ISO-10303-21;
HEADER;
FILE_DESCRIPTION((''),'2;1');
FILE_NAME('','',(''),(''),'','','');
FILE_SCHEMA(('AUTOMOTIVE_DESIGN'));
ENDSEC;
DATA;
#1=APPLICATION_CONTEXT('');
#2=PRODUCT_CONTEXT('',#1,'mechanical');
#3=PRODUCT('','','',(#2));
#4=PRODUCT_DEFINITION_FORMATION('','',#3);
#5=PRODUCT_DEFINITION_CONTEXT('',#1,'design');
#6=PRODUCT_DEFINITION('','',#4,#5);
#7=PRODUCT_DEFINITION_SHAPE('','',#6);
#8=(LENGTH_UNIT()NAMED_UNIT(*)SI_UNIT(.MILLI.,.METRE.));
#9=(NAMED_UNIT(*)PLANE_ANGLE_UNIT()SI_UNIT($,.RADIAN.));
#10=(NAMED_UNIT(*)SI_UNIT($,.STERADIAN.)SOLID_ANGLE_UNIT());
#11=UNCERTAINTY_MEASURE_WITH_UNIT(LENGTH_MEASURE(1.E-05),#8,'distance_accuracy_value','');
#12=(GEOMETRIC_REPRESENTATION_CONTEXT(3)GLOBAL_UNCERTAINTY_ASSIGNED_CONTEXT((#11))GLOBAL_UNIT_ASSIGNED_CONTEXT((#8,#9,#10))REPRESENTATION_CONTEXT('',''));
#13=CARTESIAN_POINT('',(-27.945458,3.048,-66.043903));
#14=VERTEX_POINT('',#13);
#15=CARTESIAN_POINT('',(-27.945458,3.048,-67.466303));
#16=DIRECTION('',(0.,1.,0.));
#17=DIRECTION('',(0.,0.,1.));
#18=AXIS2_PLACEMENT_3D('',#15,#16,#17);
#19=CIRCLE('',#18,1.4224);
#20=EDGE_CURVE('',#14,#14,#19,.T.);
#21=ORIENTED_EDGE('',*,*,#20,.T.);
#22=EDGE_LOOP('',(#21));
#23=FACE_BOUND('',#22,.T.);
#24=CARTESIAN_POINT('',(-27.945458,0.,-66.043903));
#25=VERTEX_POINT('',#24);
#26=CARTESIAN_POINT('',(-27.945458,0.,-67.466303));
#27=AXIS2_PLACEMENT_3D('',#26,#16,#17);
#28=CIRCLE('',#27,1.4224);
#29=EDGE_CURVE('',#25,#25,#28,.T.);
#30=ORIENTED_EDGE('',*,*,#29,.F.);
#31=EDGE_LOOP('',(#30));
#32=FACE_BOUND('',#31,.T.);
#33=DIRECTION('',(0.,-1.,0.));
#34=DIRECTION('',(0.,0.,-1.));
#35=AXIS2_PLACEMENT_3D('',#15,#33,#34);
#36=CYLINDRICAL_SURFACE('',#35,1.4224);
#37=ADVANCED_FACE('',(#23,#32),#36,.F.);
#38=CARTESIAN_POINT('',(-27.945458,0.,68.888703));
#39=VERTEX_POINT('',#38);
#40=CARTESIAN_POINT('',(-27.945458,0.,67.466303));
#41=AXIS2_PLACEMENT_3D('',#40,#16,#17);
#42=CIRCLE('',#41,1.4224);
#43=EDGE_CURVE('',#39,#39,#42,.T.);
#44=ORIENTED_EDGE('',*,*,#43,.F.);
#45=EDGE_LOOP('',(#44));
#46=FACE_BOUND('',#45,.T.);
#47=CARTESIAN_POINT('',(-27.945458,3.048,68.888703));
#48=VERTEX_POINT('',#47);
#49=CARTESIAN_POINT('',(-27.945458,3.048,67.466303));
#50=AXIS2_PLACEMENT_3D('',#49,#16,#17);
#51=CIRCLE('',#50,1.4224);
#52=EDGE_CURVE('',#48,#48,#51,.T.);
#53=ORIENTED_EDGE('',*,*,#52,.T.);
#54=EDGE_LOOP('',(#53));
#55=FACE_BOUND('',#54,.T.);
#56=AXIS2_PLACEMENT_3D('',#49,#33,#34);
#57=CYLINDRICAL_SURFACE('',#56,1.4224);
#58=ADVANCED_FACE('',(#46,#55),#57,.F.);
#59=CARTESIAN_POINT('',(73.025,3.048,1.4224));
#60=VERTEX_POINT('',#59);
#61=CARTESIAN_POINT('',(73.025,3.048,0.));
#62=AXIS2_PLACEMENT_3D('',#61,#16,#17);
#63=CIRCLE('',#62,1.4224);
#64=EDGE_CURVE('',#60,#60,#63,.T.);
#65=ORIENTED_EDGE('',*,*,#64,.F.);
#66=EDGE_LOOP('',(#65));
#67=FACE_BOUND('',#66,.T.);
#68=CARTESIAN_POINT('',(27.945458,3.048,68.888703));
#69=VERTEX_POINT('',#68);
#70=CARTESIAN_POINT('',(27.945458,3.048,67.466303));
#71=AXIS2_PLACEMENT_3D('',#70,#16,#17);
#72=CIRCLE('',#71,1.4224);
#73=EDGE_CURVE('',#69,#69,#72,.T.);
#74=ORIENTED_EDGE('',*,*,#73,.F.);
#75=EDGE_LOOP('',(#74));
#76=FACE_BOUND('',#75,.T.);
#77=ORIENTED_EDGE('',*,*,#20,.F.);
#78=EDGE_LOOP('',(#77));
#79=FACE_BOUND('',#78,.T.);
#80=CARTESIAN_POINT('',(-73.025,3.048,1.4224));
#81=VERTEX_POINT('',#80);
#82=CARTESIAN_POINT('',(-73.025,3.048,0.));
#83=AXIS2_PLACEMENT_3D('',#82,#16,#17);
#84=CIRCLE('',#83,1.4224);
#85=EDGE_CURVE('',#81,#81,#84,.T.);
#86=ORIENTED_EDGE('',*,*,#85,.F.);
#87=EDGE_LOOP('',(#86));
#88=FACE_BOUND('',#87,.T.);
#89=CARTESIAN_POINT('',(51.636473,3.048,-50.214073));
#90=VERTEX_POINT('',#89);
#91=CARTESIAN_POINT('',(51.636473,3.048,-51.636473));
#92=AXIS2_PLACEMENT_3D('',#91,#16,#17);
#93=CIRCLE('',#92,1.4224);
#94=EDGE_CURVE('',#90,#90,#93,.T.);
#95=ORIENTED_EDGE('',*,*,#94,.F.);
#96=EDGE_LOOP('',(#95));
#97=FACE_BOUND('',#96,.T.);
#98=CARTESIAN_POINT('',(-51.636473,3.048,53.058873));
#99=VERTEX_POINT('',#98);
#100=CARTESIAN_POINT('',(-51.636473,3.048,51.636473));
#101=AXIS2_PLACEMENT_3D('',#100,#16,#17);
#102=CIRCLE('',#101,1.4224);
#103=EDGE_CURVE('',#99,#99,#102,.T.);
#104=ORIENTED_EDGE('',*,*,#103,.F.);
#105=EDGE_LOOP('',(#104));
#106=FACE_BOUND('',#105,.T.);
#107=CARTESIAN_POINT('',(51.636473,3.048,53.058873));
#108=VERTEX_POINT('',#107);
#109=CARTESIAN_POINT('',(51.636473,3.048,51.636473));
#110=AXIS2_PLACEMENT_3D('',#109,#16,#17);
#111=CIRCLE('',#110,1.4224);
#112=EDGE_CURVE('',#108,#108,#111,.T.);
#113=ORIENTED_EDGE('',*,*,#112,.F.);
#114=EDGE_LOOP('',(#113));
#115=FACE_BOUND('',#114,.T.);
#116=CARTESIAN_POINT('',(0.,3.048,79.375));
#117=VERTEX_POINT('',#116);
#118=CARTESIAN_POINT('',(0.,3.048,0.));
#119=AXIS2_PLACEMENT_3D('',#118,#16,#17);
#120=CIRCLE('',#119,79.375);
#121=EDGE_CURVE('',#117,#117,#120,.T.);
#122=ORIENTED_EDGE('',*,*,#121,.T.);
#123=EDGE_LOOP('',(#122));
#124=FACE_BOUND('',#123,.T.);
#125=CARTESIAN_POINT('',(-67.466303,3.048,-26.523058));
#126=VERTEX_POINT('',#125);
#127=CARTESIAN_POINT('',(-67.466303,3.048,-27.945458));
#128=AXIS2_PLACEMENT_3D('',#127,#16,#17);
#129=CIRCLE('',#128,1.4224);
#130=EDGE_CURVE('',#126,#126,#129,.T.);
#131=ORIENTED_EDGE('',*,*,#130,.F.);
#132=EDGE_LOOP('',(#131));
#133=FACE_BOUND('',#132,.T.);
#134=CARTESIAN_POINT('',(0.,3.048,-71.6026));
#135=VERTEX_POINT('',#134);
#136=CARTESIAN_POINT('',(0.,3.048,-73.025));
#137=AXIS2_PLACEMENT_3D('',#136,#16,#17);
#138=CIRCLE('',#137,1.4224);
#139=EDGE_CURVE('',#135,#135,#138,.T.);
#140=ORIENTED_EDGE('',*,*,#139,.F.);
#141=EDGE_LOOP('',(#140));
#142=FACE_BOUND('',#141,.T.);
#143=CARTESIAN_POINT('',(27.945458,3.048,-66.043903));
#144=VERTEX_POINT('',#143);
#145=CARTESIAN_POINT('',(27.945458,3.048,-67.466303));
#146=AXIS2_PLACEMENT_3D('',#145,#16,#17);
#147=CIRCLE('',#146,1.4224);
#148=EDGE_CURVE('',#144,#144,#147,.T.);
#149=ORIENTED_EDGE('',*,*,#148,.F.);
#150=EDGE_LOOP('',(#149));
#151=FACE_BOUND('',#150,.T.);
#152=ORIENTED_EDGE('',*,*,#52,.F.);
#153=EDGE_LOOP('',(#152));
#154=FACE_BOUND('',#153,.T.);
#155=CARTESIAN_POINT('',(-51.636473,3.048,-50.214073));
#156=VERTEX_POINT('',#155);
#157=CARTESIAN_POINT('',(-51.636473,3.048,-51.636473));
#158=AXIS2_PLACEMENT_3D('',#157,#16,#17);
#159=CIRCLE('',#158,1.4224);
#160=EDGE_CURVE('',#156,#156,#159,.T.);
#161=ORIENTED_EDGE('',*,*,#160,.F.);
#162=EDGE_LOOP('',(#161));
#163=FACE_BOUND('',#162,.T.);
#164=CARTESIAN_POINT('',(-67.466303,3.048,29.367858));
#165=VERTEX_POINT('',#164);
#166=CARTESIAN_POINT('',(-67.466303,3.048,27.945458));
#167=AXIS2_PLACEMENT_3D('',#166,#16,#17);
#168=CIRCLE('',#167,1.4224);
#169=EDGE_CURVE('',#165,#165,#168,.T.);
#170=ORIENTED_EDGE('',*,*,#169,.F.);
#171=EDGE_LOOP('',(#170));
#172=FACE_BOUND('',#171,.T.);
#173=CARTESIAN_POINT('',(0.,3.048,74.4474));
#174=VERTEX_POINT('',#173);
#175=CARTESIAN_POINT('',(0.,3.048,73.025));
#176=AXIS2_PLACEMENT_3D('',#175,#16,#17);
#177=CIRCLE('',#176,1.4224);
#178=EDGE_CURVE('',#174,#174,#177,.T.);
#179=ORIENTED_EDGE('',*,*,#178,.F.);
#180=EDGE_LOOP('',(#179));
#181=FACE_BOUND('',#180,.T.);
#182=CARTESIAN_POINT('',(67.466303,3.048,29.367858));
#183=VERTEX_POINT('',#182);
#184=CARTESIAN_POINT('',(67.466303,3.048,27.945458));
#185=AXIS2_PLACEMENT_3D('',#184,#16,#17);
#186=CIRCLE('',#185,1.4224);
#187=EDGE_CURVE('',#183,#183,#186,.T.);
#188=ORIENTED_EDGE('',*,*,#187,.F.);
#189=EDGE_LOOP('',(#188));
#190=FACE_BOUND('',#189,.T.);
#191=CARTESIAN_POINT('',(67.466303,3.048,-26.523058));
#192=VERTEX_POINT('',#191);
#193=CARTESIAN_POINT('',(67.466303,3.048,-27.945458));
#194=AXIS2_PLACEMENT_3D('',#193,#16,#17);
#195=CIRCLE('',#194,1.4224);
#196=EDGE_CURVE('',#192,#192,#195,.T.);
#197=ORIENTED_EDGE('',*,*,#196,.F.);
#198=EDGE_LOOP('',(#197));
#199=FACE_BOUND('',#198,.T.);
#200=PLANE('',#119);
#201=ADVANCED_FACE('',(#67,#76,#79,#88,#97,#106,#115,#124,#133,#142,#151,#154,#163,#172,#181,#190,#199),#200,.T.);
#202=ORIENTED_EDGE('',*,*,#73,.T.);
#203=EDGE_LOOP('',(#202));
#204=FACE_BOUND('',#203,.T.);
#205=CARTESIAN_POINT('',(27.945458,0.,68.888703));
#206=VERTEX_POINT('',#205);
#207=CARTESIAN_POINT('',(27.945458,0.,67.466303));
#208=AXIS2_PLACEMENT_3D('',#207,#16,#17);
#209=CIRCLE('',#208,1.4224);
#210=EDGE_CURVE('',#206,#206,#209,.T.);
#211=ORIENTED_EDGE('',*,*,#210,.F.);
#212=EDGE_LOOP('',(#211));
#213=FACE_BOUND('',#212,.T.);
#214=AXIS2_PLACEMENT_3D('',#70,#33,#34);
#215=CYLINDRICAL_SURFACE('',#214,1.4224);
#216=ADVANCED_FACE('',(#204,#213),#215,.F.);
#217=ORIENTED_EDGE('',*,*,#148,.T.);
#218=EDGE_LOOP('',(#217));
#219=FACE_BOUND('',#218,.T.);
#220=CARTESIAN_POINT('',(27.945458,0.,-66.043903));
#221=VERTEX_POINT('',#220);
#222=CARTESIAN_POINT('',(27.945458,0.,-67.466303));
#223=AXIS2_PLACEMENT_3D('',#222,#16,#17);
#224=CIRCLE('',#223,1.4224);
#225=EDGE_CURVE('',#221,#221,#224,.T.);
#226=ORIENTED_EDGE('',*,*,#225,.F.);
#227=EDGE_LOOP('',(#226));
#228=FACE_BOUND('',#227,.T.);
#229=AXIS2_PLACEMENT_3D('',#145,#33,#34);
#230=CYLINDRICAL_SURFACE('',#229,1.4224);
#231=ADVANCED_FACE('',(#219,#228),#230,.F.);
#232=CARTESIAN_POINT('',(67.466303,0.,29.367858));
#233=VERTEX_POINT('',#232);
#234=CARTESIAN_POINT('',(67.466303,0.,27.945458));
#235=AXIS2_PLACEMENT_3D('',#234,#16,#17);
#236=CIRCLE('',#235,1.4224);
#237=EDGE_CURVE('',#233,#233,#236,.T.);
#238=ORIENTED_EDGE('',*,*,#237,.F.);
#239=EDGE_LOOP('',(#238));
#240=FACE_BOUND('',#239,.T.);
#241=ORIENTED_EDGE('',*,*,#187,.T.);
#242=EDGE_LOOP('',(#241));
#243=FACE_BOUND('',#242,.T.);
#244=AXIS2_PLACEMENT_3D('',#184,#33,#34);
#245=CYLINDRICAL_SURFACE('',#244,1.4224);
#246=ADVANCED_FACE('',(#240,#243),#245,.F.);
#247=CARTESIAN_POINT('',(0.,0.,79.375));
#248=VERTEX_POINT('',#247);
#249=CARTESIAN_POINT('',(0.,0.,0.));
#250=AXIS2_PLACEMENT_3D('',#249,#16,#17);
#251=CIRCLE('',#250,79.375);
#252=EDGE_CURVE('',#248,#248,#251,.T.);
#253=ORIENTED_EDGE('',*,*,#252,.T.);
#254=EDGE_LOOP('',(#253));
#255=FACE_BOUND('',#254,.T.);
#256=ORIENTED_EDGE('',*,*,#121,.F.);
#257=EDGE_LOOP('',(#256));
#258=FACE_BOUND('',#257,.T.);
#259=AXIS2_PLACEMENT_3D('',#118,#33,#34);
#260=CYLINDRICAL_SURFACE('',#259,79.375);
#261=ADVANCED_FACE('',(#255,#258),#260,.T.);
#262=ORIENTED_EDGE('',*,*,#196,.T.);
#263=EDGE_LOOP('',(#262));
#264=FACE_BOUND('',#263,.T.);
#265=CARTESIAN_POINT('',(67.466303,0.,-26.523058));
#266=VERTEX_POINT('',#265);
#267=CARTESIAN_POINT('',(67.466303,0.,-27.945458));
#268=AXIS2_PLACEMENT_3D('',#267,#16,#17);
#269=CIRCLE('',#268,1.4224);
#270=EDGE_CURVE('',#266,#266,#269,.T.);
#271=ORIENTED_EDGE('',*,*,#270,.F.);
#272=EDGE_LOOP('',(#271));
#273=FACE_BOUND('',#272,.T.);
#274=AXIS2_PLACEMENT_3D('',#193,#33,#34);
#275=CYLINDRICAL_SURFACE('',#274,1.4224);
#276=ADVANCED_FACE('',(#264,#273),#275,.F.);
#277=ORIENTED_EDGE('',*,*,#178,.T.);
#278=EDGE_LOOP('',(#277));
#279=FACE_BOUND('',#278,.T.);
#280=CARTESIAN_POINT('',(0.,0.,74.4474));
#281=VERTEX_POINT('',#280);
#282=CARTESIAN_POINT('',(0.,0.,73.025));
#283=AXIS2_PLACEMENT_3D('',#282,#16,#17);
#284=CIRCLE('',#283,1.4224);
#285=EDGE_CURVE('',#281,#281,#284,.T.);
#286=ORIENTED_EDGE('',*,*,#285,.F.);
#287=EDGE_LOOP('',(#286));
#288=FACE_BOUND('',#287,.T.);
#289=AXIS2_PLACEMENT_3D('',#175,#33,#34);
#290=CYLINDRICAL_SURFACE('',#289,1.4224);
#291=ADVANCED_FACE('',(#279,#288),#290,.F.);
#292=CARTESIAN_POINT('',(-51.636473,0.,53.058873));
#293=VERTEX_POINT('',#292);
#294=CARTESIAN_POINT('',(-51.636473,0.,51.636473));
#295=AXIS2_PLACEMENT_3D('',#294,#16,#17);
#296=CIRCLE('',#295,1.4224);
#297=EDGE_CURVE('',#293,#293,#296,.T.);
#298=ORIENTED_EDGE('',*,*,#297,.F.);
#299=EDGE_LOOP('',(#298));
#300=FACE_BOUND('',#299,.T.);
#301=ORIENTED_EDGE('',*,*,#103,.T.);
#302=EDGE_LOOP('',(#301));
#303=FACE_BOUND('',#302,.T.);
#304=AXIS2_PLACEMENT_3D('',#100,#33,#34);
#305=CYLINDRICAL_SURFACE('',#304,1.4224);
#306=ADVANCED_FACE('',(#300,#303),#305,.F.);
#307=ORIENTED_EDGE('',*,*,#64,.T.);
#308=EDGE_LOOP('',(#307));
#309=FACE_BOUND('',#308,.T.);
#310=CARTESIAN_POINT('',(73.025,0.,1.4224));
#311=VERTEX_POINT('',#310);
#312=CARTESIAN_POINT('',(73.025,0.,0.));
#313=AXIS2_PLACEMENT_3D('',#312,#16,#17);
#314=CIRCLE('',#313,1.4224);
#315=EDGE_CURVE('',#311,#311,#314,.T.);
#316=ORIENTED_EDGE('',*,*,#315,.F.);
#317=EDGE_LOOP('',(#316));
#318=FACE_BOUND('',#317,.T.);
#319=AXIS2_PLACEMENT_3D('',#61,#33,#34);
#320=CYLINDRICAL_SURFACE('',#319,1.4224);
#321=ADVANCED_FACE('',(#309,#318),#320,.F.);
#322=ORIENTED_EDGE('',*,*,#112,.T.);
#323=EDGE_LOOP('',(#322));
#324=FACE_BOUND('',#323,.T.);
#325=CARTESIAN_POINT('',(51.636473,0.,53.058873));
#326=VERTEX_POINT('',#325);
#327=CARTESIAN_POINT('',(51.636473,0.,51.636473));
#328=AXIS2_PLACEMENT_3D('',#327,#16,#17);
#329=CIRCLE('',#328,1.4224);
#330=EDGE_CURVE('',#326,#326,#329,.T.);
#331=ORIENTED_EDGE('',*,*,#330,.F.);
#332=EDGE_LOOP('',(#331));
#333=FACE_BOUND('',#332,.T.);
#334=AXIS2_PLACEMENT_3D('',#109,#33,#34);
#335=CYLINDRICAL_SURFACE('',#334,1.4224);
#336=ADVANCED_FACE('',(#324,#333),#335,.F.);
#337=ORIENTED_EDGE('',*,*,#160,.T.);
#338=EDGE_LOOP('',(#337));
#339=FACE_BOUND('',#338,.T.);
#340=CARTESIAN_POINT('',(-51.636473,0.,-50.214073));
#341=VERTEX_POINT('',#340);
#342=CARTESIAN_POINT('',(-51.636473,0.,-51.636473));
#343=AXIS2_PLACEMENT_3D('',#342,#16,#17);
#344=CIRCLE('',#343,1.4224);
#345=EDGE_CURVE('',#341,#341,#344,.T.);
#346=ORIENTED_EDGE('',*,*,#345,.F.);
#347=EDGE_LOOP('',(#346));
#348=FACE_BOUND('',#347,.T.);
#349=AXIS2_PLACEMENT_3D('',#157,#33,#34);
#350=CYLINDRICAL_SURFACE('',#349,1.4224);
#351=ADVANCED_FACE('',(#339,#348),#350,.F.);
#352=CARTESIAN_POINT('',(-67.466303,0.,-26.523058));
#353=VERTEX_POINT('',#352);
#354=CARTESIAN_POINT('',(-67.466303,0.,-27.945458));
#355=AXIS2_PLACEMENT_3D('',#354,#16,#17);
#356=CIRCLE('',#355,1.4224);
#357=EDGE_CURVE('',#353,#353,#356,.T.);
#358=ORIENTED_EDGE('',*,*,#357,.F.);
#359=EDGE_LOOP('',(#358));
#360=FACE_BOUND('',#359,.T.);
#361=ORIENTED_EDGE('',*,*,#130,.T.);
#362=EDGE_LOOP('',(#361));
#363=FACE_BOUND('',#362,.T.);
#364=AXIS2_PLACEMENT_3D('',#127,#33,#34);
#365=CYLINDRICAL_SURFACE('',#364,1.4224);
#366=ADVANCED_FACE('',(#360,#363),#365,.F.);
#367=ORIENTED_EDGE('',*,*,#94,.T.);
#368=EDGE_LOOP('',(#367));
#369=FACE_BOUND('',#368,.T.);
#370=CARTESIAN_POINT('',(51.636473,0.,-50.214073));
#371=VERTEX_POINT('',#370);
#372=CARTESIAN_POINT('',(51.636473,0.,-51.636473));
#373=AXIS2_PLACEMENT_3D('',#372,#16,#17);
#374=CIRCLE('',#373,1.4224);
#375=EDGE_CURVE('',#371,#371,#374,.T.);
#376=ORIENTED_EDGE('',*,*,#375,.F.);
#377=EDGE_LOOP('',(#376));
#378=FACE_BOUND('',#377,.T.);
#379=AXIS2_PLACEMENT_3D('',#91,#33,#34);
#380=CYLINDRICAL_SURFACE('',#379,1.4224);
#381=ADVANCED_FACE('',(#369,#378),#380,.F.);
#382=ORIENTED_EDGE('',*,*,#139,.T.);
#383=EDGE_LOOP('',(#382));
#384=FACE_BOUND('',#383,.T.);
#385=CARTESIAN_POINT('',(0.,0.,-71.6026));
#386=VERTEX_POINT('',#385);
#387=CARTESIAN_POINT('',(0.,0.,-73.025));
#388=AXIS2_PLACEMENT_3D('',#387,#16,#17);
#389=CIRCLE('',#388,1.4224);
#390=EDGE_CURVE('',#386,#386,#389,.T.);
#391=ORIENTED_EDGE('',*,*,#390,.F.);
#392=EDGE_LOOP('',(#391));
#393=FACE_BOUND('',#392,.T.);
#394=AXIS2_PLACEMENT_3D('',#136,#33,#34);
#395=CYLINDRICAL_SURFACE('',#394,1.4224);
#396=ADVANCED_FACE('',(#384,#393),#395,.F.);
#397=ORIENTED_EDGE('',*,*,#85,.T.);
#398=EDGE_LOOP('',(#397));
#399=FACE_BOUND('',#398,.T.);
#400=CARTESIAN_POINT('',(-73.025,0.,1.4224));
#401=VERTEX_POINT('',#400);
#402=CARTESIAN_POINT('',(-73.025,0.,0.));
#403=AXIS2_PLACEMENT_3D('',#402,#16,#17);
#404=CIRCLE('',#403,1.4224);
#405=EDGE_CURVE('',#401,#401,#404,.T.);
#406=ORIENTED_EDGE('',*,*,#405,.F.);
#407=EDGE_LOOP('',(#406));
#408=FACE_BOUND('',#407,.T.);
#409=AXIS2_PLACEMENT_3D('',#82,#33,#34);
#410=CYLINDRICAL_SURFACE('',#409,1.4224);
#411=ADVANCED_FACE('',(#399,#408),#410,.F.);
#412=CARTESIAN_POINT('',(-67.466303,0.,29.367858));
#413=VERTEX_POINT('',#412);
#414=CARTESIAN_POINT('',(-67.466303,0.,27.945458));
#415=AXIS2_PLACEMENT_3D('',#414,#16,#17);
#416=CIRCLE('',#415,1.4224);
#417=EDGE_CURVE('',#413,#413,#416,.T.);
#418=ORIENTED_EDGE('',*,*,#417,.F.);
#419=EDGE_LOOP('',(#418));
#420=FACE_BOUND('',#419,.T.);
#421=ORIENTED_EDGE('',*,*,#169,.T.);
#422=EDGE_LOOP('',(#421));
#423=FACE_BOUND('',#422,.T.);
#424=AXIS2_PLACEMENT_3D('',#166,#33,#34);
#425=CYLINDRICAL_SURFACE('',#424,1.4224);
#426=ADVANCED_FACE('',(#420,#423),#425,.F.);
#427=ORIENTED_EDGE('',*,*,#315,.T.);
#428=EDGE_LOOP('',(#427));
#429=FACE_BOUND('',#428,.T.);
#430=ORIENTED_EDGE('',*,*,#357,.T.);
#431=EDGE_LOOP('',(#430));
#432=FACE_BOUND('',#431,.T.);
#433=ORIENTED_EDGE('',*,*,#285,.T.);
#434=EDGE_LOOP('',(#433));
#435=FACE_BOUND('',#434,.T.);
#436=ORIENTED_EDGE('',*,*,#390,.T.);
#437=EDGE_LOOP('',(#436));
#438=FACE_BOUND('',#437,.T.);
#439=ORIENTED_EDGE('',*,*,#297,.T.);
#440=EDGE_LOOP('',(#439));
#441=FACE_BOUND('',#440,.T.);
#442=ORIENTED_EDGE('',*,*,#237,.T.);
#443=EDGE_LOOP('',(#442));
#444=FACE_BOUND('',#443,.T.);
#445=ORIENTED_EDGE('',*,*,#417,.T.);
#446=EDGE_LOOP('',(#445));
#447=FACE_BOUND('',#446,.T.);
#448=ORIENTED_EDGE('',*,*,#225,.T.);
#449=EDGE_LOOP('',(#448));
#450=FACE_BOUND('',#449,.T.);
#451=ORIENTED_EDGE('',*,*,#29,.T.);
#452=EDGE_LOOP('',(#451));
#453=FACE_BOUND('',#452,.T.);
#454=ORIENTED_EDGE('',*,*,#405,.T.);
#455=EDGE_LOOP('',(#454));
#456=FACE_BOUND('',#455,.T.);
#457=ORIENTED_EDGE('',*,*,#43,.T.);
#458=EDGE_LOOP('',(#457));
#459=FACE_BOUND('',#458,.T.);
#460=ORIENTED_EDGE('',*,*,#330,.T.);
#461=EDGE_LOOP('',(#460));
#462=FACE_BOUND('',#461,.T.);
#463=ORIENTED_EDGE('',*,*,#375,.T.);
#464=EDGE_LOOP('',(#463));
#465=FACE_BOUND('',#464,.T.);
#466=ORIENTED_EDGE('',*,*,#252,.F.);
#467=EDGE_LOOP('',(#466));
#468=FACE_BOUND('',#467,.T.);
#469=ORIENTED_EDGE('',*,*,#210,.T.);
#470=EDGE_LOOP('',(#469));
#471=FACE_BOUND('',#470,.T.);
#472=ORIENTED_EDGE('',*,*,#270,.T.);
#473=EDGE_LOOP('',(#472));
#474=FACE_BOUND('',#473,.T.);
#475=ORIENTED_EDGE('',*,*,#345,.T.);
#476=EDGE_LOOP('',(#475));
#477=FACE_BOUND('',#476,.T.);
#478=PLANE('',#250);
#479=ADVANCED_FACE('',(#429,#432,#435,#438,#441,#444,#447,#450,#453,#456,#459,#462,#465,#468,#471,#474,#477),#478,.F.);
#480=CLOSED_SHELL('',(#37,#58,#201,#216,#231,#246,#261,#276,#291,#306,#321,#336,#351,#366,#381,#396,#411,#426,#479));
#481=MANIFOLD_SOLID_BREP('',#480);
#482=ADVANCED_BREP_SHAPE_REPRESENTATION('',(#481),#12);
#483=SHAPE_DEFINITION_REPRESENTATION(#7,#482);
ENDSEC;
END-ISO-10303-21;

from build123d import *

# Parameters (mm, degrees)
SKETCH1_R           = 79.375
SKETCH1_R_2         = 1.4224
BOSS_EXTRUDE1_DEPTH = 3.048


with BuildPart() as part:
    # Sketch1 → Boss-Extrude1 (new body)
    with BuildSketch(Plane(origin=(0, 0, 0), x_dir=(1, 0, 0), z_dir=(0, 1, 0))):
        Circle(SKETCH1_R)
        with Locations((0, 73.025)):
            Circle(SKETCH1_R_2, mode=Mode.SUBTRACT)
        with Locations((27.945457648, 67.466302862)):
            Circle(SKETCH1_R_2, mode=Mode.SUBTRACT)
        with Locations((51.636472696, 51.636472696)):
            Circle(SKETCH1_R_2, mode=Mode.SUBTRACT)
        with Locations((67.466302862, 27.945457648)):
            Circle(SKETCH1_R_2, mode=Mode.SUBTRACT)
        with Locations((73.025, 0)):
            Circle(SKETCH1_R_2, mode=Mode.SUBTRACT)
        with Locations((67.466302862, -27.945457648)):
            Circle(SKETCH1_R_2, mode=Mode.SUBTRACT)
        with Locations((51.636472696, -51.636472696)):
            Circle(SKETCH1_R_2, mode=Mode.SUBTRACT)
        with Locations((27.945457648, -67.466302862)):
            Circle(SKETCH1_R_2, mode=Mode.SUBTRACT)
        with Locations((0, -73.025)):
            Circle(SKETCH1_R_2, mode=Mode.SUBTRACT)
        with Locations((-27.945457648, -67.466302862)):
            Circle(SKETCH1_R_2, mode=Mode.SUBTRACT)
        with Locations((-51.636472696, -51.636472696)):
            Circle(SKETCH1_R_2, mode=Mode.SUBTRACT)
        with Locations((-67.466302862, -27.945457648)):
            Circle(SKETCH1_R_2, mode=Mode.SUBTRACT)
        with Locations((-73.025, 0)):
            Circle(SKETCH1_R_2, mode=Mode.SUBTRACT)
        with Locations((-67.466302862, 27.945457648)):
            Circle(SKETCH1_R_2, mode=Mode.SUBTRACT)
        with Locations((-51.636472696, 51.636472696)):
            Circle(SKETCH1_R_2, mode=Mode.SUBTRACT)
        with Locations((-27.945457648, 67.466302862)):
            Circle(SKETCH1_R_2, mode=Mode.SUBTRACT)
    extrude(amount=BOSS_EXTRUDE1_DEPTH)


solid = part.part
